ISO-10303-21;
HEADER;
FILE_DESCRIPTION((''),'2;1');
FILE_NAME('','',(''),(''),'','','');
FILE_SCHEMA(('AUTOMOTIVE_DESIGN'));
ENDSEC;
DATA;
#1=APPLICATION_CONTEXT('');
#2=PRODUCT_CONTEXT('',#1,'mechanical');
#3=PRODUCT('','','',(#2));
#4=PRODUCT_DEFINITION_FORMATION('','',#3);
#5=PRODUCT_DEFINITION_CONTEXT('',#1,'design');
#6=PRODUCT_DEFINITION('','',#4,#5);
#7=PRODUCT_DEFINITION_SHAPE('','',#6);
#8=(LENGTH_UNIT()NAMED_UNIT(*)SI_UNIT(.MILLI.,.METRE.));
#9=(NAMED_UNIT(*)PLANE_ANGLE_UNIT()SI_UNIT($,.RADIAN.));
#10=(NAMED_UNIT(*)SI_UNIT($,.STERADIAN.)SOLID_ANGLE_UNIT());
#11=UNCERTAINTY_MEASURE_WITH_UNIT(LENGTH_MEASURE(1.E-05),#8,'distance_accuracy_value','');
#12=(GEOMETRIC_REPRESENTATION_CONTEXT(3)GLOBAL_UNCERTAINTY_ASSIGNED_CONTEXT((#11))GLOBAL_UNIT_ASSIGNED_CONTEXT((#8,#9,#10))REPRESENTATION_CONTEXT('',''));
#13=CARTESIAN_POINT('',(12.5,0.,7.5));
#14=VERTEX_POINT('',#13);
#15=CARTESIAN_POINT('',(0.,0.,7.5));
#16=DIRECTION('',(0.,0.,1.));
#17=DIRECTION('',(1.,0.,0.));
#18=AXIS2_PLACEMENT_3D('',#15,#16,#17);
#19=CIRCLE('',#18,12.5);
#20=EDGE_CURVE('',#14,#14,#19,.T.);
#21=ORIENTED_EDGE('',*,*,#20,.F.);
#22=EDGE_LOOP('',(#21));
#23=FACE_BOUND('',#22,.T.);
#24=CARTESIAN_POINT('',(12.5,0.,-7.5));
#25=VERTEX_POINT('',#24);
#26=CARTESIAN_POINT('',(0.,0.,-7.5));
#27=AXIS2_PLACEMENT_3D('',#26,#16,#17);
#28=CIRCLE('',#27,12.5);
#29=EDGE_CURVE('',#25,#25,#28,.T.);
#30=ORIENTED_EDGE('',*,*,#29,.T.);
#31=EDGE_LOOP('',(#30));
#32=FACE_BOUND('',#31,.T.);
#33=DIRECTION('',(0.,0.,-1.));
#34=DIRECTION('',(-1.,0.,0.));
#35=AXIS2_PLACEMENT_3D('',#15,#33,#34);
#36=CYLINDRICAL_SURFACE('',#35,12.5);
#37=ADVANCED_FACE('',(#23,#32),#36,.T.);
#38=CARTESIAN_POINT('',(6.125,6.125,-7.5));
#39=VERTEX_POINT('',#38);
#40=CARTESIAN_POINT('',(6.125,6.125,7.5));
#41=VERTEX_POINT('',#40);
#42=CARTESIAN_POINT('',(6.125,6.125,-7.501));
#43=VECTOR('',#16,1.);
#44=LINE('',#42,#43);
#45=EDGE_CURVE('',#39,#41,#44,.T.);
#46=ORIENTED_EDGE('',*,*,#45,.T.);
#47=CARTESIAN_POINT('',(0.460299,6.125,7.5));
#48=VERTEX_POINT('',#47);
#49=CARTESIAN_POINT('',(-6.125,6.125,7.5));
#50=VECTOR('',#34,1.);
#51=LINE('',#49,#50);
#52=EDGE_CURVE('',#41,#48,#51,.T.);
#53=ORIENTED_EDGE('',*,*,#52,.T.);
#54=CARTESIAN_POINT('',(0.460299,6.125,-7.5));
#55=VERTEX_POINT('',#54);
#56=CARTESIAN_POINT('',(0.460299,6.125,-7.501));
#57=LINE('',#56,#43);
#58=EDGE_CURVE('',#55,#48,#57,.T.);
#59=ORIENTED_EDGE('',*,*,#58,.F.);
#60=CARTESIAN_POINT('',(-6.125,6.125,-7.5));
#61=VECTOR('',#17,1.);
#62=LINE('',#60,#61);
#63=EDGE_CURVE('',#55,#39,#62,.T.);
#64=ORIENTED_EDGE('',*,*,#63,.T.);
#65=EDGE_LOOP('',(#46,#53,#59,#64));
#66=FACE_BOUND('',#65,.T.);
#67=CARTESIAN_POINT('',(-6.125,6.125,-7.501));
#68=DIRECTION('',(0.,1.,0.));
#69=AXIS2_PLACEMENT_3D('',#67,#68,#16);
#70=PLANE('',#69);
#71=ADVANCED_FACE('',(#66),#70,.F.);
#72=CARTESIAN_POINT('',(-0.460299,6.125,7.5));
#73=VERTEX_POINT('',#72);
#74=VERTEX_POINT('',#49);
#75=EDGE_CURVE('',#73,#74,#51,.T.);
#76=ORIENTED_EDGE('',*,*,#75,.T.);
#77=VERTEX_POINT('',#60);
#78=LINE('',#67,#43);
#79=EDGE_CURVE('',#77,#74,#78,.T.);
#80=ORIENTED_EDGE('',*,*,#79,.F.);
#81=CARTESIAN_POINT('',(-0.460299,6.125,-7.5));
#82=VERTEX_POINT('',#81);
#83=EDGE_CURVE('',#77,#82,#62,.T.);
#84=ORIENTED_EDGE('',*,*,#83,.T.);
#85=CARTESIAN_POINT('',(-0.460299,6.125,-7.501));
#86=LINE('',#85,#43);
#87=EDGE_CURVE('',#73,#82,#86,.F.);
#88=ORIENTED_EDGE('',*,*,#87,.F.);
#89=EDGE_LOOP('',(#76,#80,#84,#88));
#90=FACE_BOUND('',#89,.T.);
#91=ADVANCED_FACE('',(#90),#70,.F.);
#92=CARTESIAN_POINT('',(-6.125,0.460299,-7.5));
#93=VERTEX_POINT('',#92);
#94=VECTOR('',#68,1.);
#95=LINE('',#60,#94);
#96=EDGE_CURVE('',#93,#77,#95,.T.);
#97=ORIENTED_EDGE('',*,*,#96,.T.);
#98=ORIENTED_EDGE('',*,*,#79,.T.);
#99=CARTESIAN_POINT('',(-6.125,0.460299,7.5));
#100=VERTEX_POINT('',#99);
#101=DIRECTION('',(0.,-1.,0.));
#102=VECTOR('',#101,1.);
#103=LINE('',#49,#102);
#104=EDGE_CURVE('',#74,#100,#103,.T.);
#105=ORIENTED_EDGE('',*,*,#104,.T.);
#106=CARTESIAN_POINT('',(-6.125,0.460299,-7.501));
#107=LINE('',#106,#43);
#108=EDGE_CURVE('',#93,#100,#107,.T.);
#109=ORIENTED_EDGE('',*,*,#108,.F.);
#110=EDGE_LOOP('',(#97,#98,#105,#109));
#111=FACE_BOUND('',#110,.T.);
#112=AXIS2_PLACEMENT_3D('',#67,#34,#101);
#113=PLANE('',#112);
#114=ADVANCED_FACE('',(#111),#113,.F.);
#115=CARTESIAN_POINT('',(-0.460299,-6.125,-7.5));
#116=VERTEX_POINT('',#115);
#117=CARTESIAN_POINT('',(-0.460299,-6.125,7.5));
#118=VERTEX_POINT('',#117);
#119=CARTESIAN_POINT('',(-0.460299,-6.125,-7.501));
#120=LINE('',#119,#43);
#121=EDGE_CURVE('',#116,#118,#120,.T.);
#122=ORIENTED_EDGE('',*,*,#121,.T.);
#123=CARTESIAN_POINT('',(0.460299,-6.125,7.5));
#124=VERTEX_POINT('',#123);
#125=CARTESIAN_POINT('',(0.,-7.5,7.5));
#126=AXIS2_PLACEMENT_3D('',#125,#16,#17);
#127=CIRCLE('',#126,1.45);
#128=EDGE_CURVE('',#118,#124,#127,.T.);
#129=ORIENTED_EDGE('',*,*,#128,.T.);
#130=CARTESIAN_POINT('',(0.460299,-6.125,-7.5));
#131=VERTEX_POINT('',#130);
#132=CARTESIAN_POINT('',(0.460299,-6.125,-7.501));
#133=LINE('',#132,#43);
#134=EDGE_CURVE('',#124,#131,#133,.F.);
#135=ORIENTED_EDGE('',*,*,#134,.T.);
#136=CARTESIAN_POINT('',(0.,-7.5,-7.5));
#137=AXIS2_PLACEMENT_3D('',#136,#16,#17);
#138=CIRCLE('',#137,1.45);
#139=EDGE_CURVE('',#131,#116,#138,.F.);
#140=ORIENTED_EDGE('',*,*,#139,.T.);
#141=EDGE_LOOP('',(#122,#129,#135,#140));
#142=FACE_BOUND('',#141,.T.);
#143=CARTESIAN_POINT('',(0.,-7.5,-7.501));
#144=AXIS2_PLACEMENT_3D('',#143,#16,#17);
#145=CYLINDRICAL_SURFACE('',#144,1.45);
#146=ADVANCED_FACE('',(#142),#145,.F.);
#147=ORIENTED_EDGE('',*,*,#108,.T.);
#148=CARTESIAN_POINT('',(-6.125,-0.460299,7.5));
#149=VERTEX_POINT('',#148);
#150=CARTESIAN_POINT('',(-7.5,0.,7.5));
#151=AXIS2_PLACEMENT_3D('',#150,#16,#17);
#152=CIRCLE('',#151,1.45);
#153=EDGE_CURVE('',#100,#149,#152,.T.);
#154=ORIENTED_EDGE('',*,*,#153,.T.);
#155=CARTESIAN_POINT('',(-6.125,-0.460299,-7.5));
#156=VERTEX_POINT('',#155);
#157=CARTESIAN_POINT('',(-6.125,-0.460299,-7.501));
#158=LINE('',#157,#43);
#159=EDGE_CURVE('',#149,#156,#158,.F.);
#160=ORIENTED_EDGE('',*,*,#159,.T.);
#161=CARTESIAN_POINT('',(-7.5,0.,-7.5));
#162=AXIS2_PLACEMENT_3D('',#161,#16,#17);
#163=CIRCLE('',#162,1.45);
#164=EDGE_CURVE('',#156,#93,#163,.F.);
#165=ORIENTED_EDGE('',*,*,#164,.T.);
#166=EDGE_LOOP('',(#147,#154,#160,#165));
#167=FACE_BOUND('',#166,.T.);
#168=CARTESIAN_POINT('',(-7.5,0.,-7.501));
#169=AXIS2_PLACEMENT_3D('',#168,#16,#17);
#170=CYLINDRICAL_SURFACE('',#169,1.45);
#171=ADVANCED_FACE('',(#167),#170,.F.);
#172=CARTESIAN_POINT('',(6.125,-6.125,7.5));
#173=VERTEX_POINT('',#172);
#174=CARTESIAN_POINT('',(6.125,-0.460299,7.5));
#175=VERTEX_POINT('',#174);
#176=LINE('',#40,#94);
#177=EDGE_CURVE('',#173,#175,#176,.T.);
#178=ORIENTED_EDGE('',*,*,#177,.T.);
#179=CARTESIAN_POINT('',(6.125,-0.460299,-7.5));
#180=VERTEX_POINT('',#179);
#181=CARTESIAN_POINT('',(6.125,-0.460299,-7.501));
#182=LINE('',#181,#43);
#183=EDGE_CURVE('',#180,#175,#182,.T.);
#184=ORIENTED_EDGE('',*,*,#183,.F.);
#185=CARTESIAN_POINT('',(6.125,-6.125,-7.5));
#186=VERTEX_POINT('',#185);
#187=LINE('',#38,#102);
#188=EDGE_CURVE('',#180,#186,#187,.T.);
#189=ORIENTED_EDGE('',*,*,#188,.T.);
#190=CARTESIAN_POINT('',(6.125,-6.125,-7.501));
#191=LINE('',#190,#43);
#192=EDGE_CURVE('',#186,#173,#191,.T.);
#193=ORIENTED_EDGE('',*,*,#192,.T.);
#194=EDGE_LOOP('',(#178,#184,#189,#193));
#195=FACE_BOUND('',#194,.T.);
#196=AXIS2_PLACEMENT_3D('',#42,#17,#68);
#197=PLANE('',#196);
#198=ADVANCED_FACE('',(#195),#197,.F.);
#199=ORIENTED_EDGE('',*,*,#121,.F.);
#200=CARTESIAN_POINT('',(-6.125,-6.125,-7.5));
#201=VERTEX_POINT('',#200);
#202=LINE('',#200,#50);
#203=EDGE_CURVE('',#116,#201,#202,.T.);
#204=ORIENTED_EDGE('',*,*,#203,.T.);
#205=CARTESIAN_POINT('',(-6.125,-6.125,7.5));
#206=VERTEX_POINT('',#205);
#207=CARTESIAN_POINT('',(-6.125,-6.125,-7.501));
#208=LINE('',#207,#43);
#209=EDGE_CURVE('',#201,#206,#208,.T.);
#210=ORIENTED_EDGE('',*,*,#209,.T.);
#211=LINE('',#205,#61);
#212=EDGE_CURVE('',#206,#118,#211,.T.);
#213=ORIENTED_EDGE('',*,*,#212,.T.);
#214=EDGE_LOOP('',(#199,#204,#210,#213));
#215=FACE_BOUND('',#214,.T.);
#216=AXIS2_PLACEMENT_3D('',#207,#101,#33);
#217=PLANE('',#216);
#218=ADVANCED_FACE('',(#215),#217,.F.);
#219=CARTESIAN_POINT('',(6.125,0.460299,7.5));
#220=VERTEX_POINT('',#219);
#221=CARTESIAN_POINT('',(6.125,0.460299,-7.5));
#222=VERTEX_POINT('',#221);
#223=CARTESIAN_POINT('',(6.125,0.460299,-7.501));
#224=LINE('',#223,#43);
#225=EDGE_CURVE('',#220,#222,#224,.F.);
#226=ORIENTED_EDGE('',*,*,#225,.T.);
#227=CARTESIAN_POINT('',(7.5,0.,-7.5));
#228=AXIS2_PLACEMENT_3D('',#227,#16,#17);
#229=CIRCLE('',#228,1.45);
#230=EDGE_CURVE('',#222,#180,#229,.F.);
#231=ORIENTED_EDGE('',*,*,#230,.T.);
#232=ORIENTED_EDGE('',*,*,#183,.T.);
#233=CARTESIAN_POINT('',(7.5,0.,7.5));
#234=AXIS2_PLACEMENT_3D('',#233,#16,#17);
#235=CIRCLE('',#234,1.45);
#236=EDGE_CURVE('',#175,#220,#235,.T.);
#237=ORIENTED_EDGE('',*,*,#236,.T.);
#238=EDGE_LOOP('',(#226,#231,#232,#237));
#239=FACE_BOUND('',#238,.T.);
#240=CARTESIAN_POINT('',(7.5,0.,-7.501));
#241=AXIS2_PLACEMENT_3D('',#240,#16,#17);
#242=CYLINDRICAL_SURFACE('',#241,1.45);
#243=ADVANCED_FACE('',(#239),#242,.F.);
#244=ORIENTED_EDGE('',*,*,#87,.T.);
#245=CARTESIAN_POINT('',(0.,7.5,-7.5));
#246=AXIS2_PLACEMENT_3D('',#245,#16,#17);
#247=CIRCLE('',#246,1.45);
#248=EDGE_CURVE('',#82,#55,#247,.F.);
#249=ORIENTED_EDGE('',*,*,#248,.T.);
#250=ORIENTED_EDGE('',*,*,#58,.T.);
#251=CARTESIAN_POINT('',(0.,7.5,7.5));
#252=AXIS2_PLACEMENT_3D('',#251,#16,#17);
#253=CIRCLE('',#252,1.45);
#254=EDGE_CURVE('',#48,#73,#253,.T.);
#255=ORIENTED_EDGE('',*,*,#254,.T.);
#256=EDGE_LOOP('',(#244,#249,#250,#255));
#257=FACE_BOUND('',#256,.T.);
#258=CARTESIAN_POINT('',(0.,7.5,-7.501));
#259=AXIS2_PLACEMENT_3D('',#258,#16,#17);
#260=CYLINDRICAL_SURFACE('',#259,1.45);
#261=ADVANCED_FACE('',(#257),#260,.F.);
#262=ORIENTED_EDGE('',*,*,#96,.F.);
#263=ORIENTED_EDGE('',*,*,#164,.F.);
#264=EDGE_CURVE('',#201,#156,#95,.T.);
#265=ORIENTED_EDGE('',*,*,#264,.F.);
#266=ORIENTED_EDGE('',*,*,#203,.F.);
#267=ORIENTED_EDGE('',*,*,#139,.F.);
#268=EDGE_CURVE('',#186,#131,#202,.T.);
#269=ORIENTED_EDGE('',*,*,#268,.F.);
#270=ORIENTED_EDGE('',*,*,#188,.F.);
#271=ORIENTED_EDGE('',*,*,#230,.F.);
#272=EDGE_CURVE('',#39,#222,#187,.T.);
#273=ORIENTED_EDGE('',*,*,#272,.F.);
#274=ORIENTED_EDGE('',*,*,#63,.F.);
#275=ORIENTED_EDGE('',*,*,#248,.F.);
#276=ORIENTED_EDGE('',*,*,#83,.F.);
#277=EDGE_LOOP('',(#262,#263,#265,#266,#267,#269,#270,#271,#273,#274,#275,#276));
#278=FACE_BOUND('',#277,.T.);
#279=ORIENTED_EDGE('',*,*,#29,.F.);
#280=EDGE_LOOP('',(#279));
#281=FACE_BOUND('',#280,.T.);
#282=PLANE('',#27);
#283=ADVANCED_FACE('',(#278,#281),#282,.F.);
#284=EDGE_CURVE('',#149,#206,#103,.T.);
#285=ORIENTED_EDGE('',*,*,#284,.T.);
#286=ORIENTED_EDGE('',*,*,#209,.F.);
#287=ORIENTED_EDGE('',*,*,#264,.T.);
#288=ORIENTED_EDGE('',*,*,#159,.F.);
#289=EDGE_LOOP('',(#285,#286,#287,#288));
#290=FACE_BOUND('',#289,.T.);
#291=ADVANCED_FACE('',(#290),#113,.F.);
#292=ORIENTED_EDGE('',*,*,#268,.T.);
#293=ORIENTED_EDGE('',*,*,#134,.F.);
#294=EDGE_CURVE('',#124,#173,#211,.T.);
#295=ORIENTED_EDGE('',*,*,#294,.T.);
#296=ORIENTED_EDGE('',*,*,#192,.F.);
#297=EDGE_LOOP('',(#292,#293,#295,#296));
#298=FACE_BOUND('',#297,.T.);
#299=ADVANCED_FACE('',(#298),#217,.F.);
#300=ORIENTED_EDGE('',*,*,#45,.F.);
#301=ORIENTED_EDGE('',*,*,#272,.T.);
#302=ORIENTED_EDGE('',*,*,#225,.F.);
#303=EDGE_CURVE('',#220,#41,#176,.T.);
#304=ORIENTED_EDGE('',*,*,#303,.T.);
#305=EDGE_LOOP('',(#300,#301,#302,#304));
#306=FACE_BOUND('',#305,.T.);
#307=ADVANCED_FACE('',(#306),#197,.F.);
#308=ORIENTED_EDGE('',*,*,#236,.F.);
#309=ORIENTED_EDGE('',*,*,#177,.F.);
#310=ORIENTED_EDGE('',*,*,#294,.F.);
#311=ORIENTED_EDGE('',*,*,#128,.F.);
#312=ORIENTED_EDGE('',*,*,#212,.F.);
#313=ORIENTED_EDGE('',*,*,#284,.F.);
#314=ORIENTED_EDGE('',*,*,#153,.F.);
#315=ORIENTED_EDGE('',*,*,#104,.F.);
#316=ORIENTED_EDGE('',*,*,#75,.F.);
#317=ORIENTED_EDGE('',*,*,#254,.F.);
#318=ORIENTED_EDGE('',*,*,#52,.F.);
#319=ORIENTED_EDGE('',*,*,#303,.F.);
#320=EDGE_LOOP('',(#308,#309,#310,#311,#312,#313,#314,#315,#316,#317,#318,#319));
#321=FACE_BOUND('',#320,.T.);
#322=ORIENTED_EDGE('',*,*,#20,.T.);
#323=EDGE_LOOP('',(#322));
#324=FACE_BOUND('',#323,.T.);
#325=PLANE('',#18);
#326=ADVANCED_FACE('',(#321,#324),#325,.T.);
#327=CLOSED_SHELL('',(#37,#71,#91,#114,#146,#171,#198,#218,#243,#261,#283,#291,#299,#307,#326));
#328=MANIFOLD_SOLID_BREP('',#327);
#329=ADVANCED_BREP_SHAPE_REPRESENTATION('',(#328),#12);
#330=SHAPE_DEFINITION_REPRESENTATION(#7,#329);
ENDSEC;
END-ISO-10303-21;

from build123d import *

# Parameters (mm, degrees)
SKETCH1_R           = 12.5
BOSS_EXTRUDE1_DEPTH = 7.5
CUT_EXTRUDE1_REACH  = 25.184
SKETCH8_W           = 12.25
SKETCH8_H           = 12.25
CUT_EXTRUDE4_REACH  = 25.184
SKETCH11_R          = 1.45


with BuildPart() as part:
    # Sketch1 → Boss-Extrude1 (new, symmetric)
    with BuildSketch(Plane.XY):
        Circle(SKETCH1_R)
    extrude(amount=BOSS_EXTRUDE1_DEPTH, both=True)

    # Sketch8 → Cut-Extrude1 (cut, up to next)
    with BuildSketch(Plane.XY.offset(7.5), mode=Mode.PRIVATE) as cut_extrude1_sk1:
        Rectangle(SKETCH8_W, SKETCH8_H)
    cut_extrude1_tool1 = extrude(cut_extrude1_sk1.sketch, amount=-CUT_EXTRUDE1_REACH, mode=Mode.PRIVATE) & part.part
    add(cut_extrude1_tool1.solids().sort_by_distance((0, 0, 7.5))[0], mode=Mode.SUBTRACT)

    # Sketch11 → Cut-Extrude4 (cut, up to next)
    with BuildSketch(Plane.XY.offset(7.5), mode=Mode.PRIVATE) as cut_extrude4_sk1:
        with Locations((7.5, 0)):
            Circle(SKETCH11_R)
    cut_extrude4_tool1 = extrude(cut_extrude4_sk1.sketch, amount=-CUT_EXTRUDE4_REACH, mode=Mode.PRIVATE) & part.part
    # Sketch11 → Cut-Extrude4 (cut, up to next)
    with BuildSketch(Plane.XY.offset(7.5), mode=Mode.PRIVATE) as cut_extrude4_sk2:
        with Locations((0, -7.5)):
            Circle(SKETCH11_R)
    cut_extrude4_tool2 = extrude(cut_extrude4_sk2.sketch, amount=-CUT_EXTRUDE4_REACH, mode=Mode.PRIVATE) & part.part
    # Sketch11 → Cut-Extrude4 (cut, up to next)
    with BuildSketch(Plane.XY.offset(7.5), mode=Mode.PRIVATE) as cut_extrude4_sk3:
        with Locations((-7.5, 0)):
            Circle(SKETCH11_R)
    cut_extrude4_tool3 = extrude(cut_extrude4_sk3.sketch, amount=-CUT_EXTRUDE4_REACH, mode=Mode.PRIVATE) & part.part
    # Sketch11 → Cut-Extrude4 (cut, up to next)
    with BuildSketch(Plane.XY.offset(7.5), mode=Mode.PRIVATE) as cut_extrude4_sk4:
        with Locations((0, 7.5)):
            Circle(SKETCH11_R)
    cut_extrude4_tool4 = extrude(cut_extrude4_sk4.sketch, amount=-CUT_EXTRUDE4_REACH, mode=Mode.PRIVATE) & part.part
    add(cut_extrude4_tool1.solids().sort_by_distance((7.5, 0, 7.5))[0], mode=Mode.SUBTRACT)
    add(cut_extrude4_tool2.solids().sort_by_distance((0, -7.5, 7.5))[0], mode=Mode.SUBTRACT)
    add(cut_extrude4_tool3.solids().sort_by_distance((-7.5, 0, 7.5))[0], mode=Mode.SUBTRACT)
    add(cut_extrude4_tool4.solids().sort_by_distance((0, 7.5, 7.5))[0], mode=Mode.SUBTRACT)


solid = part.part
